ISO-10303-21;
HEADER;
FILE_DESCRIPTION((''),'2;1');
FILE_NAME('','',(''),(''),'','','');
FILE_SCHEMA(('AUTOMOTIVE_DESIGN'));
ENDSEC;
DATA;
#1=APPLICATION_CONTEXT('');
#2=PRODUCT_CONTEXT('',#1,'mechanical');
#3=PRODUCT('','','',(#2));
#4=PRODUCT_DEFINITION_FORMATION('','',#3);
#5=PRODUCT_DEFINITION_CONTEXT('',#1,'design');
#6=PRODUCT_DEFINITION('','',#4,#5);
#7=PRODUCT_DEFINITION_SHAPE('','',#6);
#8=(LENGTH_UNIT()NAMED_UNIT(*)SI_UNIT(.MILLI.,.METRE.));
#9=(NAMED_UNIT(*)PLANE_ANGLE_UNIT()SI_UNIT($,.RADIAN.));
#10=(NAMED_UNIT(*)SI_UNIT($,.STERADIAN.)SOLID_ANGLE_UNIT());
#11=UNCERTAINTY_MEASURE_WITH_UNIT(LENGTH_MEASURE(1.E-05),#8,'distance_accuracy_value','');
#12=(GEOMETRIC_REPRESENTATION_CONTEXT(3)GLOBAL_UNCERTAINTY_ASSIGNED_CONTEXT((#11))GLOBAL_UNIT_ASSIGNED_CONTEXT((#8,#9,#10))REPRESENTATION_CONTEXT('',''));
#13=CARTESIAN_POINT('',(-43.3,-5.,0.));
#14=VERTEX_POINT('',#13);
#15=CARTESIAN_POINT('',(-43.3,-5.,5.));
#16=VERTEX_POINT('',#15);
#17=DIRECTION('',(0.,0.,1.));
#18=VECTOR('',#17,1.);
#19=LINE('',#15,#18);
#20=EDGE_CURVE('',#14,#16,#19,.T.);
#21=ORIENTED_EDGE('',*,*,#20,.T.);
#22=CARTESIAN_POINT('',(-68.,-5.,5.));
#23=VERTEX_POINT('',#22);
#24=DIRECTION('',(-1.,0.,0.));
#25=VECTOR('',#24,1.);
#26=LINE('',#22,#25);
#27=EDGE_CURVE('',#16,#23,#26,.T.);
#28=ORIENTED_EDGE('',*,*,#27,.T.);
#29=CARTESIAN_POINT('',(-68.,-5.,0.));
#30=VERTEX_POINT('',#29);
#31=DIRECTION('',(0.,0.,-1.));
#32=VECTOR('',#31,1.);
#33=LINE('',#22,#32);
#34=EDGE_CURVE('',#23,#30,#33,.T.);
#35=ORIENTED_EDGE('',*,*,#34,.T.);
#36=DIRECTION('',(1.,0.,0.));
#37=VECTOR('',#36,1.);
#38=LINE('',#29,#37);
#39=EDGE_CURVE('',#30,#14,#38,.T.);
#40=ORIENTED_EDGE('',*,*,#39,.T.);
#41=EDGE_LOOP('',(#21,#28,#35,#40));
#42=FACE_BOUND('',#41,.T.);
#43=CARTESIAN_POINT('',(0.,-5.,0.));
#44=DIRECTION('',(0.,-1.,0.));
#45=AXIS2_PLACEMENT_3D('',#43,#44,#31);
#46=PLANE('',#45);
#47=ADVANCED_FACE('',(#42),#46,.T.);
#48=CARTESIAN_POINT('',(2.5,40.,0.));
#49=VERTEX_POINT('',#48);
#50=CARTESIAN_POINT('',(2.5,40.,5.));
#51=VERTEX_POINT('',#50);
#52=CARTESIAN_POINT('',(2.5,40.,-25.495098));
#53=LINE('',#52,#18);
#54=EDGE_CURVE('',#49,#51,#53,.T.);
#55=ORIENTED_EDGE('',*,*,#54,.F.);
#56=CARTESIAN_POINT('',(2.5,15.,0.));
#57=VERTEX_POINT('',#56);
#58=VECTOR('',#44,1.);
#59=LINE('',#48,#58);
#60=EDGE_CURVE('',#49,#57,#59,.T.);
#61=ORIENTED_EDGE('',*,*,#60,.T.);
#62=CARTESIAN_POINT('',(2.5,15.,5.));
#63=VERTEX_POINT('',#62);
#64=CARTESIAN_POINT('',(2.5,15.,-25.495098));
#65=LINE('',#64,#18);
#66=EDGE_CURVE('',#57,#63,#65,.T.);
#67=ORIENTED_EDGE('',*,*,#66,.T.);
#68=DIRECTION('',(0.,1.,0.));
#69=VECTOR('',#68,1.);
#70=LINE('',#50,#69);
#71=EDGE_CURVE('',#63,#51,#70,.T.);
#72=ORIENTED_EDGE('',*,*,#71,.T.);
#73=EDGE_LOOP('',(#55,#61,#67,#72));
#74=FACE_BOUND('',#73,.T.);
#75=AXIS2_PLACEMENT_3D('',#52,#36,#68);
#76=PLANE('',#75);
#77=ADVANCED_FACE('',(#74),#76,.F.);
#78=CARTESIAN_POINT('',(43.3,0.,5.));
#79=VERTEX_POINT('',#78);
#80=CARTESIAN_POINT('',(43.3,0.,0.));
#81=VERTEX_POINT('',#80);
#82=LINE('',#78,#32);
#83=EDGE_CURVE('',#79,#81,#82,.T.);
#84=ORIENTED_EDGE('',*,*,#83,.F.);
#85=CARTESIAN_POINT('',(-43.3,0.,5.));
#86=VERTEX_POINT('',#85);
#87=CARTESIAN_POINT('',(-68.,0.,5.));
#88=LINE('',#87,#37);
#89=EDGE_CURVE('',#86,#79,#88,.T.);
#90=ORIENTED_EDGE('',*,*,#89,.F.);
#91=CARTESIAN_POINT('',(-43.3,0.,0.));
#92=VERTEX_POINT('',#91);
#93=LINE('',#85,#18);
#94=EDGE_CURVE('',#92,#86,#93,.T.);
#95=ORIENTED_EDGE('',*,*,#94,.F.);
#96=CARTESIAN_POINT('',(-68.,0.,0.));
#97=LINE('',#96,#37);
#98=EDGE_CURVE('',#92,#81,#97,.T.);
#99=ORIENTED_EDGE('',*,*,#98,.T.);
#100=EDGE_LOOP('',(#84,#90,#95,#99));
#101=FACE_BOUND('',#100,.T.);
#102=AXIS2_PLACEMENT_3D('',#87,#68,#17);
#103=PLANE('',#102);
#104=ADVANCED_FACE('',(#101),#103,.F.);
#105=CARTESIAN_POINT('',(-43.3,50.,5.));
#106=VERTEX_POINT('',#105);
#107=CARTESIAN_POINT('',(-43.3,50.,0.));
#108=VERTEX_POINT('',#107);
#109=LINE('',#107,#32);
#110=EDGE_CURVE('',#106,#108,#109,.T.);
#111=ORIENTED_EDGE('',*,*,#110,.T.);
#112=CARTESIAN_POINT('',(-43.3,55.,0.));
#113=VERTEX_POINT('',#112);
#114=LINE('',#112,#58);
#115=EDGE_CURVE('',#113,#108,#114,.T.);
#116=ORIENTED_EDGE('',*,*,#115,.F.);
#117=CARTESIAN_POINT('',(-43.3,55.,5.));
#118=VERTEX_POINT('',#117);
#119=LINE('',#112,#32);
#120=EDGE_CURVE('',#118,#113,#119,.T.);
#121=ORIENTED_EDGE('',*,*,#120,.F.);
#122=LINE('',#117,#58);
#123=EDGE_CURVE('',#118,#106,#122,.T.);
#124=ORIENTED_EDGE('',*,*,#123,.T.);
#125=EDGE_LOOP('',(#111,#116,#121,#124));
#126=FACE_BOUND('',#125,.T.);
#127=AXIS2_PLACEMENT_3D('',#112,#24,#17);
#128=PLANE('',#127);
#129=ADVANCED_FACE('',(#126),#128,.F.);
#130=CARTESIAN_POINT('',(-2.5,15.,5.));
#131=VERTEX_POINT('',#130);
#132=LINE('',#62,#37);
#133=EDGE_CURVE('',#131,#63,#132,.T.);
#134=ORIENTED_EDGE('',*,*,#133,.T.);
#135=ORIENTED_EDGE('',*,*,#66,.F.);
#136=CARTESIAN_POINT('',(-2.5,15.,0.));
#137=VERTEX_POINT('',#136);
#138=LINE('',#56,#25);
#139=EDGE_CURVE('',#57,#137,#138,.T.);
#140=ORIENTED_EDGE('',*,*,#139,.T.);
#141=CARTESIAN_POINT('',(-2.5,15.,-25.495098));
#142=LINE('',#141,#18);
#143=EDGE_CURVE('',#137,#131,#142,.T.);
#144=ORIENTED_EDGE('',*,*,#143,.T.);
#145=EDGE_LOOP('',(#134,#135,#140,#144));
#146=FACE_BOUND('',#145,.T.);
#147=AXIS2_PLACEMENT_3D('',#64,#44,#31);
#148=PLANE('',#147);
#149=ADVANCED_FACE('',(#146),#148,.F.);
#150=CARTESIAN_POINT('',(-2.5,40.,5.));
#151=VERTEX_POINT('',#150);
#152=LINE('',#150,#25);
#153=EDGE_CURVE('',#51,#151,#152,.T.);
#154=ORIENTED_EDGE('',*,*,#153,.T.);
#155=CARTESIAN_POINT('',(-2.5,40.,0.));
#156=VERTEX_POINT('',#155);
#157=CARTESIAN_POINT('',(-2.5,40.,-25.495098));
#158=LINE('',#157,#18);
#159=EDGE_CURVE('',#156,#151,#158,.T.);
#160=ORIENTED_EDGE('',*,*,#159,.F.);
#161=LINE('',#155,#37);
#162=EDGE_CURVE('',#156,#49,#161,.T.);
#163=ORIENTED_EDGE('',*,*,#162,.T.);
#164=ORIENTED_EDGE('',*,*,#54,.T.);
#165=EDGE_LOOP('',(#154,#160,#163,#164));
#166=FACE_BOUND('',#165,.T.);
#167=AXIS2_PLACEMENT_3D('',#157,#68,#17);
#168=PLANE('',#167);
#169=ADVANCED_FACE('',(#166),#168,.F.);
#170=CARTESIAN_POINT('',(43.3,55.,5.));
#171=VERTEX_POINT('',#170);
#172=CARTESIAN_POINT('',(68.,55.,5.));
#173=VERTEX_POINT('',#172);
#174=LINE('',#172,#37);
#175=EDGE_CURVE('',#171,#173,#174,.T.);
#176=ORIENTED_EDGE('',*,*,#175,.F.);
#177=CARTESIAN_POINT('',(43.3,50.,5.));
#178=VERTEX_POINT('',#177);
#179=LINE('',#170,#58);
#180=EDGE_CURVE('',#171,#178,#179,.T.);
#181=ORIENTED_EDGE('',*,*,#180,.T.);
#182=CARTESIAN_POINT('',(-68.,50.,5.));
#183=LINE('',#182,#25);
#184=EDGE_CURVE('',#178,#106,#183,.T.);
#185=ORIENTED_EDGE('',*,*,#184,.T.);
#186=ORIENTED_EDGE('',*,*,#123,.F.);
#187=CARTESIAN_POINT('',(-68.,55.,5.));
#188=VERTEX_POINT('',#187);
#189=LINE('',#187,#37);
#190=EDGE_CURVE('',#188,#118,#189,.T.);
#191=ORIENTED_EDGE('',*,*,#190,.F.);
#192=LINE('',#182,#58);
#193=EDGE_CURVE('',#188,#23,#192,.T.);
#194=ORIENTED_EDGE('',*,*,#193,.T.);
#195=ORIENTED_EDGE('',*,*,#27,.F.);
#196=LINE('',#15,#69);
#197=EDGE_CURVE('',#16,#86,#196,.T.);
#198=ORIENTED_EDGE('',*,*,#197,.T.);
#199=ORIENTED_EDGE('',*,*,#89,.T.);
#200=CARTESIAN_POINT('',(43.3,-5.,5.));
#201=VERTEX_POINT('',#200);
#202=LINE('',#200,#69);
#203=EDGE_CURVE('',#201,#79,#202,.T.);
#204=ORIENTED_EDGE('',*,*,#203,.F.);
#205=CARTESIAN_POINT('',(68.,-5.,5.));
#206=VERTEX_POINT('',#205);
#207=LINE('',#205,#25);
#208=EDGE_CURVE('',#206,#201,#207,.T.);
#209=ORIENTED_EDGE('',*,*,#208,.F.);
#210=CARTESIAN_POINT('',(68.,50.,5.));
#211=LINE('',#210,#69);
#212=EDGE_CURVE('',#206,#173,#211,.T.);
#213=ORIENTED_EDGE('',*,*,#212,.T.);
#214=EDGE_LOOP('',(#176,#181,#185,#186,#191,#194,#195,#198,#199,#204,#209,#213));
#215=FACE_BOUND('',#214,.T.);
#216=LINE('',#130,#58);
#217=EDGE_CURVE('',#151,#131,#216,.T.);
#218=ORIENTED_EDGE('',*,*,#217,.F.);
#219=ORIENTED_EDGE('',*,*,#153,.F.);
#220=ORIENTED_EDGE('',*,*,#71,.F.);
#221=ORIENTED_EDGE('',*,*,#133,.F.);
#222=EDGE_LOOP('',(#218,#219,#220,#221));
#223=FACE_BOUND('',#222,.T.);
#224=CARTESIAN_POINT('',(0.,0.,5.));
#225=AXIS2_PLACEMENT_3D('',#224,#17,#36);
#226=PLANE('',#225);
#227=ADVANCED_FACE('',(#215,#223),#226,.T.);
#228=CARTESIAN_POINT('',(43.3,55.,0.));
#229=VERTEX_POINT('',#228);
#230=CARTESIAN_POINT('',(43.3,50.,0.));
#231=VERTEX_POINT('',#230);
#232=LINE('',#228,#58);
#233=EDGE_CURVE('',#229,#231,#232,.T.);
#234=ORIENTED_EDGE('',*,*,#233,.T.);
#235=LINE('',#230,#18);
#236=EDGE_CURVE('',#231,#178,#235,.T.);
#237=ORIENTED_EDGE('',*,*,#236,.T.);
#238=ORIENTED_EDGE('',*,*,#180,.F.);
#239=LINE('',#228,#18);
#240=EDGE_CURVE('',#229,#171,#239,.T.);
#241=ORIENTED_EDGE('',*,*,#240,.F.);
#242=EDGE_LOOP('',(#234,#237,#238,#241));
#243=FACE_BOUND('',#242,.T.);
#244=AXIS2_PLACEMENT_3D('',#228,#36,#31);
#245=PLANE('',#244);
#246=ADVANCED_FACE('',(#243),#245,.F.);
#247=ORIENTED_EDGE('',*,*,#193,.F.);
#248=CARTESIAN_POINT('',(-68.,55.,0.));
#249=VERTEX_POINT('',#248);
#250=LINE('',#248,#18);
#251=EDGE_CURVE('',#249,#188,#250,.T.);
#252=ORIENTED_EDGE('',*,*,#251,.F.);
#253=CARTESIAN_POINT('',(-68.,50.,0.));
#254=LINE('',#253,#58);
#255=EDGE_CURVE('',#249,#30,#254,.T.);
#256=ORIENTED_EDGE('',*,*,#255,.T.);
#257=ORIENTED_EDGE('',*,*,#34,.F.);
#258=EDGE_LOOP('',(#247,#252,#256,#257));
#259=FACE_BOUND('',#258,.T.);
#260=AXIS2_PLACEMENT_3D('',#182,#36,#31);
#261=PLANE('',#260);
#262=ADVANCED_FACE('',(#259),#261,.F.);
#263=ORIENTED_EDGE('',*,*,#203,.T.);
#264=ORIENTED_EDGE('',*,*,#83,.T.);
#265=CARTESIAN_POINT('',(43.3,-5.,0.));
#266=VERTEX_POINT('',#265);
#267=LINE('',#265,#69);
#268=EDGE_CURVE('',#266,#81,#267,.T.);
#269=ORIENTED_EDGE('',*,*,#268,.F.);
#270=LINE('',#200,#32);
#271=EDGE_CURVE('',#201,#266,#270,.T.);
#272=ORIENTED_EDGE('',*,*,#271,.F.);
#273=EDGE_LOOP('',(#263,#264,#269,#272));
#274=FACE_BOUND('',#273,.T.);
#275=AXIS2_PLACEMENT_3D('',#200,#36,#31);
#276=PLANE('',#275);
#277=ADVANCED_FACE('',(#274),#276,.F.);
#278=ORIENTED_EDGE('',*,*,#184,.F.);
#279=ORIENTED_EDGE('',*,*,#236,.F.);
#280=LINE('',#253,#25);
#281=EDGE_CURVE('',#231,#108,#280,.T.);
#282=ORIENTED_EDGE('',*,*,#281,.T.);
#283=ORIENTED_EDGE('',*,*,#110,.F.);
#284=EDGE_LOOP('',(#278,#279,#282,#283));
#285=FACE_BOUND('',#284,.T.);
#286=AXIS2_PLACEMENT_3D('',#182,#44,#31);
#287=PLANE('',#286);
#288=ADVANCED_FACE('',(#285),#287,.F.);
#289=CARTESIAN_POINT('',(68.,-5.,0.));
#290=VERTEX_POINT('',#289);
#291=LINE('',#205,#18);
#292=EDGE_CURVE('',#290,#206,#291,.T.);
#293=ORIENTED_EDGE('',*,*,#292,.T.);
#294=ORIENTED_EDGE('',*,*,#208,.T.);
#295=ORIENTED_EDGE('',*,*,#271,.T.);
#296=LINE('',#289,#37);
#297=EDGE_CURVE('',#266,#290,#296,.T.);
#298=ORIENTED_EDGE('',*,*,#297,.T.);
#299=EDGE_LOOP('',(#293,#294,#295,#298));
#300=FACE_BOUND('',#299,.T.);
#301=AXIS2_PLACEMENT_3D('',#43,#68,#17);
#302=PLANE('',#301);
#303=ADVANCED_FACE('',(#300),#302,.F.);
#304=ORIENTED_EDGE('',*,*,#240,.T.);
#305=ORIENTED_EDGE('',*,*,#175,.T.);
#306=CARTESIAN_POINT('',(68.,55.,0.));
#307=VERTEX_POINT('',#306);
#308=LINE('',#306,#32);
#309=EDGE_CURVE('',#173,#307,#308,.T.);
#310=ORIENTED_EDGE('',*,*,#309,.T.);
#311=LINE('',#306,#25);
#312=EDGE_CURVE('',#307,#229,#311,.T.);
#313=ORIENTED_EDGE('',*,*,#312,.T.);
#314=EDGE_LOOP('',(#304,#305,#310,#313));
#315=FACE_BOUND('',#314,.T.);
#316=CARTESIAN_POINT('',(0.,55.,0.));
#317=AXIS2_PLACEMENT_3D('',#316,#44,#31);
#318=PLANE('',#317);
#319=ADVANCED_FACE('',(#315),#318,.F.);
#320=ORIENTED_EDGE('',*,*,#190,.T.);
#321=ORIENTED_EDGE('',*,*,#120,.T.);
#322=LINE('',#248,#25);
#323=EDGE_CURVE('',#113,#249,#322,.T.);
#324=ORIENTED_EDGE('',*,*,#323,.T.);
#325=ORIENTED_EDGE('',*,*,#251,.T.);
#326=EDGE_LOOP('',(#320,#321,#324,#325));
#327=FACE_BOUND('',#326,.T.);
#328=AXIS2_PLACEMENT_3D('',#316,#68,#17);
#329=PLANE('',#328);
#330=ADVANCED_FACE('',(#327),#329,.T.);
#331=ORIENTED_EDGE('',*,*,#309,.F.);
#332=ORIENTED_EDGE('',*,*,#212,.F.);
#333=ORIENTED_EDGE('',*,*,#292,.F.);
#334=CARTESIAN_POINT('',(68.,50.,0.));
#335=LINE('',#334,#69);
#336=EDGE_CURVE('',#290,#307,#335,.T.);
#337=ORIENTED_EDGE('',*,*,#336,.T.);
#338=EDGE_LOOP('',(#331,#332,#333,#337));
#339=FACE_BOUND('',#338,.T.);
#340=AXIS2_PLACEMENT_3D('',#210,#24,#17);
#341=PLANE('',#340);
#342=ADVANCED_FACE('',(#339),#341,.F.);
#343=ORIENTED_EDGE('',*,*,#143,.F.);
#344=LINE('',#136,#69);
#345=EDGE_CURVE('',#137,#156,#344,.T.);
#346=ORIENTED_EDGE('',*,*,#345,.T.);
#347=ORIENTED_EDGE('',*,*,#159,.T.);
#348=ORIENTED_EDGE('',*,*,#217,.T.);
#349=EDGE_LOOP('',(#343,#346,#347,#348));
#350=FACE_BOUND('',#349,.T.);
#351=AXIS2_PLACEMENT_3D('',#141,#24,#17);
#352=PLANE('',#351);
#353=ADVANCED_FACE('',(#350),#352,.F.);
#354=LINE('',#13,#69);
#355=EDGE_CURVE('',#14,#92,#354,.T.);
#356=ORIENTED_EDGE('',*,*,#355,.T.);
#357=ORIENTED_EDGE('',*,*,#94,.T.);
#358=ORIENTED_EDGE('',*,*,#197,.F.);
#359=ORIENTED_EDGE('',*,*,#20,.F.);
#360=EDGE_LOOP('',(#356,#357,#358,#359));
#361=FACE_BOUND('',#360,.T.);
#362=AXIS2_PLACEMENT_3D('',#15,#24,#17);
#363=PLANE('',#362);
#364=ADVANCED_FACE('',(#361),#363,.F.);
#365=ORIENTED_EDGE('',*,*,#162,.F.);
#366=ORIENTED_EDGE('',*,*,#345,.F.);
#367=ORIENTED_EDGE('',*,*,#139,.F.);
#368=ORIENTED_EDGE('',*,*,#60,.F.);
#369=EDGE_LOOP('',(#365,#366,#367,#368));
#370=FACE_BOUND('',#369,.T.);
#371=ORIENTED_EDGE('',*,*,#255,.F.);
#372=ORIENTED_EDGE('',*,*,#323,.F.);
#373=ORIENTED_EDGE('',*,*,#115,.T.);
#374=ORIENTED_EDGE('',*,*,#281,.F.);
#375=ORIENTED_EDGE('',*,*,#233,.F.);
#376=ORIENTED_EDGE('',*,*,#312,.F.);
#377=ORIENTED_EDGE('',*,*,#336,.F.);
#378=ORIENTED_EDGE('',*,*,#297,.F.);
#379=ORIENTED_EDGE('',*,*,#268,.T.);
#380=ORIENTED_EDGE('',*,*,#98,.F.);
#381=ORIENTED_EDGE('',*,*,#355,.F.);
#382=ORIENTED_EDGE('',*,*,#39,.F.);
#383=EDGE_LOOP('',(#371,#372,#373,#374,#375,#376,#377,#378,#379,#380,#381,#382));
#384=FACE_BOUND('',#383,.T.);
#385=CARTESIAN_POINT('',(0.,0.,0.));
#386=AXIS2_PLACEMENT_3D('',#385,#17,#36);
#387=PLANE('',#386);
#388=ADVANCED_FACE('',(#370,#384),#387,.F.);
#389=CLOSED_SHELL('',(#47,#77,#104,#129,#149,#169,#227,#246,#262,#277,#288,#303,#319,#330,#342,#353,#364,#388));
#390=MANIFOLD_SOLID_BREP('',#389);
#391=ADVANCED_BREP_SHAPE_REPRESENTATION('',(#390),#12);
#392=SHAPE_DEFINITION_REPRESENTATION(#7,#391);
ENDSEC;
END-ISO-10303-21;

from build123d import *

# Parameters (mm, degrees)
SKETCH1_W           = 136
SKETCH1_H           = 50
BOSS_EXTRUDE1_DEPTH = 5
SKETCH2_W           = 24.7
SKETCH2_H           = 5
BOSS_EXTRUDE2_DEPTH = 5
SKETCH3_W           = 24.7
SKETCH3_H           = 5
BOSS_EXTRUDE3_DEPTH = 5
SKETCH4_W           = 5
SKETCH4_H           = 25
CUT_EXTRUDE1_DEPTH  = 5


with BuildPart() as part:
    # Sketch1 → Boss-Extrude1 (new body)
    with BuildSketch(Plane.XY):
        with Locations((0, 25)):
            Rectangle(SKETCH1_W, SKETCH1_H)
    extrude(amount=BOSS_EXTRUDE1_DEPTH)

    # Sketch2 → Boss-Extrude2 (add)
    with BuildSketch(Plane(origin=(0, 50, 0), x_dir=(1, 0, 0), z_dir=(0, 1, 0))):
        with Locations((-55.65, -2.5)):
            Rectangle(SKETCH2_W, SKETCH2_H)
        with Locations((55.65, -2.5)):
            Rectangle(SKETCH2_W, SKETCH2_H)
    extrude(amount=BOSS_EXTRUDE2_DEPTH)

    # Sketch3 → Boss-Extrude3 (add)
    with BuildSketch(Plane.XZ):
        with Locations((-55.65, 2.5)):
            Rectangle(SKETCH3_W, SKETCH3_H)
        with Locations((55.65, 2.5)):
            Rectangle(SKETCH3_W, SKETCH3_H)
    extrude(amount=BOSS_EXTRUDE3_DEPTH)

    # Sketch4 → Cut-Extrude1 (cut)
    with BuildSketch(Plane.XY.offset(5)):
        with Locations((0, 27.5)):
            Rectangle(SKETCH4_W, SKETCH4_H)
    extrude(amount=-CUT_EXTRUDE1_DEPTH, mode=Mode.SUBTRACT)


solid = part.part
